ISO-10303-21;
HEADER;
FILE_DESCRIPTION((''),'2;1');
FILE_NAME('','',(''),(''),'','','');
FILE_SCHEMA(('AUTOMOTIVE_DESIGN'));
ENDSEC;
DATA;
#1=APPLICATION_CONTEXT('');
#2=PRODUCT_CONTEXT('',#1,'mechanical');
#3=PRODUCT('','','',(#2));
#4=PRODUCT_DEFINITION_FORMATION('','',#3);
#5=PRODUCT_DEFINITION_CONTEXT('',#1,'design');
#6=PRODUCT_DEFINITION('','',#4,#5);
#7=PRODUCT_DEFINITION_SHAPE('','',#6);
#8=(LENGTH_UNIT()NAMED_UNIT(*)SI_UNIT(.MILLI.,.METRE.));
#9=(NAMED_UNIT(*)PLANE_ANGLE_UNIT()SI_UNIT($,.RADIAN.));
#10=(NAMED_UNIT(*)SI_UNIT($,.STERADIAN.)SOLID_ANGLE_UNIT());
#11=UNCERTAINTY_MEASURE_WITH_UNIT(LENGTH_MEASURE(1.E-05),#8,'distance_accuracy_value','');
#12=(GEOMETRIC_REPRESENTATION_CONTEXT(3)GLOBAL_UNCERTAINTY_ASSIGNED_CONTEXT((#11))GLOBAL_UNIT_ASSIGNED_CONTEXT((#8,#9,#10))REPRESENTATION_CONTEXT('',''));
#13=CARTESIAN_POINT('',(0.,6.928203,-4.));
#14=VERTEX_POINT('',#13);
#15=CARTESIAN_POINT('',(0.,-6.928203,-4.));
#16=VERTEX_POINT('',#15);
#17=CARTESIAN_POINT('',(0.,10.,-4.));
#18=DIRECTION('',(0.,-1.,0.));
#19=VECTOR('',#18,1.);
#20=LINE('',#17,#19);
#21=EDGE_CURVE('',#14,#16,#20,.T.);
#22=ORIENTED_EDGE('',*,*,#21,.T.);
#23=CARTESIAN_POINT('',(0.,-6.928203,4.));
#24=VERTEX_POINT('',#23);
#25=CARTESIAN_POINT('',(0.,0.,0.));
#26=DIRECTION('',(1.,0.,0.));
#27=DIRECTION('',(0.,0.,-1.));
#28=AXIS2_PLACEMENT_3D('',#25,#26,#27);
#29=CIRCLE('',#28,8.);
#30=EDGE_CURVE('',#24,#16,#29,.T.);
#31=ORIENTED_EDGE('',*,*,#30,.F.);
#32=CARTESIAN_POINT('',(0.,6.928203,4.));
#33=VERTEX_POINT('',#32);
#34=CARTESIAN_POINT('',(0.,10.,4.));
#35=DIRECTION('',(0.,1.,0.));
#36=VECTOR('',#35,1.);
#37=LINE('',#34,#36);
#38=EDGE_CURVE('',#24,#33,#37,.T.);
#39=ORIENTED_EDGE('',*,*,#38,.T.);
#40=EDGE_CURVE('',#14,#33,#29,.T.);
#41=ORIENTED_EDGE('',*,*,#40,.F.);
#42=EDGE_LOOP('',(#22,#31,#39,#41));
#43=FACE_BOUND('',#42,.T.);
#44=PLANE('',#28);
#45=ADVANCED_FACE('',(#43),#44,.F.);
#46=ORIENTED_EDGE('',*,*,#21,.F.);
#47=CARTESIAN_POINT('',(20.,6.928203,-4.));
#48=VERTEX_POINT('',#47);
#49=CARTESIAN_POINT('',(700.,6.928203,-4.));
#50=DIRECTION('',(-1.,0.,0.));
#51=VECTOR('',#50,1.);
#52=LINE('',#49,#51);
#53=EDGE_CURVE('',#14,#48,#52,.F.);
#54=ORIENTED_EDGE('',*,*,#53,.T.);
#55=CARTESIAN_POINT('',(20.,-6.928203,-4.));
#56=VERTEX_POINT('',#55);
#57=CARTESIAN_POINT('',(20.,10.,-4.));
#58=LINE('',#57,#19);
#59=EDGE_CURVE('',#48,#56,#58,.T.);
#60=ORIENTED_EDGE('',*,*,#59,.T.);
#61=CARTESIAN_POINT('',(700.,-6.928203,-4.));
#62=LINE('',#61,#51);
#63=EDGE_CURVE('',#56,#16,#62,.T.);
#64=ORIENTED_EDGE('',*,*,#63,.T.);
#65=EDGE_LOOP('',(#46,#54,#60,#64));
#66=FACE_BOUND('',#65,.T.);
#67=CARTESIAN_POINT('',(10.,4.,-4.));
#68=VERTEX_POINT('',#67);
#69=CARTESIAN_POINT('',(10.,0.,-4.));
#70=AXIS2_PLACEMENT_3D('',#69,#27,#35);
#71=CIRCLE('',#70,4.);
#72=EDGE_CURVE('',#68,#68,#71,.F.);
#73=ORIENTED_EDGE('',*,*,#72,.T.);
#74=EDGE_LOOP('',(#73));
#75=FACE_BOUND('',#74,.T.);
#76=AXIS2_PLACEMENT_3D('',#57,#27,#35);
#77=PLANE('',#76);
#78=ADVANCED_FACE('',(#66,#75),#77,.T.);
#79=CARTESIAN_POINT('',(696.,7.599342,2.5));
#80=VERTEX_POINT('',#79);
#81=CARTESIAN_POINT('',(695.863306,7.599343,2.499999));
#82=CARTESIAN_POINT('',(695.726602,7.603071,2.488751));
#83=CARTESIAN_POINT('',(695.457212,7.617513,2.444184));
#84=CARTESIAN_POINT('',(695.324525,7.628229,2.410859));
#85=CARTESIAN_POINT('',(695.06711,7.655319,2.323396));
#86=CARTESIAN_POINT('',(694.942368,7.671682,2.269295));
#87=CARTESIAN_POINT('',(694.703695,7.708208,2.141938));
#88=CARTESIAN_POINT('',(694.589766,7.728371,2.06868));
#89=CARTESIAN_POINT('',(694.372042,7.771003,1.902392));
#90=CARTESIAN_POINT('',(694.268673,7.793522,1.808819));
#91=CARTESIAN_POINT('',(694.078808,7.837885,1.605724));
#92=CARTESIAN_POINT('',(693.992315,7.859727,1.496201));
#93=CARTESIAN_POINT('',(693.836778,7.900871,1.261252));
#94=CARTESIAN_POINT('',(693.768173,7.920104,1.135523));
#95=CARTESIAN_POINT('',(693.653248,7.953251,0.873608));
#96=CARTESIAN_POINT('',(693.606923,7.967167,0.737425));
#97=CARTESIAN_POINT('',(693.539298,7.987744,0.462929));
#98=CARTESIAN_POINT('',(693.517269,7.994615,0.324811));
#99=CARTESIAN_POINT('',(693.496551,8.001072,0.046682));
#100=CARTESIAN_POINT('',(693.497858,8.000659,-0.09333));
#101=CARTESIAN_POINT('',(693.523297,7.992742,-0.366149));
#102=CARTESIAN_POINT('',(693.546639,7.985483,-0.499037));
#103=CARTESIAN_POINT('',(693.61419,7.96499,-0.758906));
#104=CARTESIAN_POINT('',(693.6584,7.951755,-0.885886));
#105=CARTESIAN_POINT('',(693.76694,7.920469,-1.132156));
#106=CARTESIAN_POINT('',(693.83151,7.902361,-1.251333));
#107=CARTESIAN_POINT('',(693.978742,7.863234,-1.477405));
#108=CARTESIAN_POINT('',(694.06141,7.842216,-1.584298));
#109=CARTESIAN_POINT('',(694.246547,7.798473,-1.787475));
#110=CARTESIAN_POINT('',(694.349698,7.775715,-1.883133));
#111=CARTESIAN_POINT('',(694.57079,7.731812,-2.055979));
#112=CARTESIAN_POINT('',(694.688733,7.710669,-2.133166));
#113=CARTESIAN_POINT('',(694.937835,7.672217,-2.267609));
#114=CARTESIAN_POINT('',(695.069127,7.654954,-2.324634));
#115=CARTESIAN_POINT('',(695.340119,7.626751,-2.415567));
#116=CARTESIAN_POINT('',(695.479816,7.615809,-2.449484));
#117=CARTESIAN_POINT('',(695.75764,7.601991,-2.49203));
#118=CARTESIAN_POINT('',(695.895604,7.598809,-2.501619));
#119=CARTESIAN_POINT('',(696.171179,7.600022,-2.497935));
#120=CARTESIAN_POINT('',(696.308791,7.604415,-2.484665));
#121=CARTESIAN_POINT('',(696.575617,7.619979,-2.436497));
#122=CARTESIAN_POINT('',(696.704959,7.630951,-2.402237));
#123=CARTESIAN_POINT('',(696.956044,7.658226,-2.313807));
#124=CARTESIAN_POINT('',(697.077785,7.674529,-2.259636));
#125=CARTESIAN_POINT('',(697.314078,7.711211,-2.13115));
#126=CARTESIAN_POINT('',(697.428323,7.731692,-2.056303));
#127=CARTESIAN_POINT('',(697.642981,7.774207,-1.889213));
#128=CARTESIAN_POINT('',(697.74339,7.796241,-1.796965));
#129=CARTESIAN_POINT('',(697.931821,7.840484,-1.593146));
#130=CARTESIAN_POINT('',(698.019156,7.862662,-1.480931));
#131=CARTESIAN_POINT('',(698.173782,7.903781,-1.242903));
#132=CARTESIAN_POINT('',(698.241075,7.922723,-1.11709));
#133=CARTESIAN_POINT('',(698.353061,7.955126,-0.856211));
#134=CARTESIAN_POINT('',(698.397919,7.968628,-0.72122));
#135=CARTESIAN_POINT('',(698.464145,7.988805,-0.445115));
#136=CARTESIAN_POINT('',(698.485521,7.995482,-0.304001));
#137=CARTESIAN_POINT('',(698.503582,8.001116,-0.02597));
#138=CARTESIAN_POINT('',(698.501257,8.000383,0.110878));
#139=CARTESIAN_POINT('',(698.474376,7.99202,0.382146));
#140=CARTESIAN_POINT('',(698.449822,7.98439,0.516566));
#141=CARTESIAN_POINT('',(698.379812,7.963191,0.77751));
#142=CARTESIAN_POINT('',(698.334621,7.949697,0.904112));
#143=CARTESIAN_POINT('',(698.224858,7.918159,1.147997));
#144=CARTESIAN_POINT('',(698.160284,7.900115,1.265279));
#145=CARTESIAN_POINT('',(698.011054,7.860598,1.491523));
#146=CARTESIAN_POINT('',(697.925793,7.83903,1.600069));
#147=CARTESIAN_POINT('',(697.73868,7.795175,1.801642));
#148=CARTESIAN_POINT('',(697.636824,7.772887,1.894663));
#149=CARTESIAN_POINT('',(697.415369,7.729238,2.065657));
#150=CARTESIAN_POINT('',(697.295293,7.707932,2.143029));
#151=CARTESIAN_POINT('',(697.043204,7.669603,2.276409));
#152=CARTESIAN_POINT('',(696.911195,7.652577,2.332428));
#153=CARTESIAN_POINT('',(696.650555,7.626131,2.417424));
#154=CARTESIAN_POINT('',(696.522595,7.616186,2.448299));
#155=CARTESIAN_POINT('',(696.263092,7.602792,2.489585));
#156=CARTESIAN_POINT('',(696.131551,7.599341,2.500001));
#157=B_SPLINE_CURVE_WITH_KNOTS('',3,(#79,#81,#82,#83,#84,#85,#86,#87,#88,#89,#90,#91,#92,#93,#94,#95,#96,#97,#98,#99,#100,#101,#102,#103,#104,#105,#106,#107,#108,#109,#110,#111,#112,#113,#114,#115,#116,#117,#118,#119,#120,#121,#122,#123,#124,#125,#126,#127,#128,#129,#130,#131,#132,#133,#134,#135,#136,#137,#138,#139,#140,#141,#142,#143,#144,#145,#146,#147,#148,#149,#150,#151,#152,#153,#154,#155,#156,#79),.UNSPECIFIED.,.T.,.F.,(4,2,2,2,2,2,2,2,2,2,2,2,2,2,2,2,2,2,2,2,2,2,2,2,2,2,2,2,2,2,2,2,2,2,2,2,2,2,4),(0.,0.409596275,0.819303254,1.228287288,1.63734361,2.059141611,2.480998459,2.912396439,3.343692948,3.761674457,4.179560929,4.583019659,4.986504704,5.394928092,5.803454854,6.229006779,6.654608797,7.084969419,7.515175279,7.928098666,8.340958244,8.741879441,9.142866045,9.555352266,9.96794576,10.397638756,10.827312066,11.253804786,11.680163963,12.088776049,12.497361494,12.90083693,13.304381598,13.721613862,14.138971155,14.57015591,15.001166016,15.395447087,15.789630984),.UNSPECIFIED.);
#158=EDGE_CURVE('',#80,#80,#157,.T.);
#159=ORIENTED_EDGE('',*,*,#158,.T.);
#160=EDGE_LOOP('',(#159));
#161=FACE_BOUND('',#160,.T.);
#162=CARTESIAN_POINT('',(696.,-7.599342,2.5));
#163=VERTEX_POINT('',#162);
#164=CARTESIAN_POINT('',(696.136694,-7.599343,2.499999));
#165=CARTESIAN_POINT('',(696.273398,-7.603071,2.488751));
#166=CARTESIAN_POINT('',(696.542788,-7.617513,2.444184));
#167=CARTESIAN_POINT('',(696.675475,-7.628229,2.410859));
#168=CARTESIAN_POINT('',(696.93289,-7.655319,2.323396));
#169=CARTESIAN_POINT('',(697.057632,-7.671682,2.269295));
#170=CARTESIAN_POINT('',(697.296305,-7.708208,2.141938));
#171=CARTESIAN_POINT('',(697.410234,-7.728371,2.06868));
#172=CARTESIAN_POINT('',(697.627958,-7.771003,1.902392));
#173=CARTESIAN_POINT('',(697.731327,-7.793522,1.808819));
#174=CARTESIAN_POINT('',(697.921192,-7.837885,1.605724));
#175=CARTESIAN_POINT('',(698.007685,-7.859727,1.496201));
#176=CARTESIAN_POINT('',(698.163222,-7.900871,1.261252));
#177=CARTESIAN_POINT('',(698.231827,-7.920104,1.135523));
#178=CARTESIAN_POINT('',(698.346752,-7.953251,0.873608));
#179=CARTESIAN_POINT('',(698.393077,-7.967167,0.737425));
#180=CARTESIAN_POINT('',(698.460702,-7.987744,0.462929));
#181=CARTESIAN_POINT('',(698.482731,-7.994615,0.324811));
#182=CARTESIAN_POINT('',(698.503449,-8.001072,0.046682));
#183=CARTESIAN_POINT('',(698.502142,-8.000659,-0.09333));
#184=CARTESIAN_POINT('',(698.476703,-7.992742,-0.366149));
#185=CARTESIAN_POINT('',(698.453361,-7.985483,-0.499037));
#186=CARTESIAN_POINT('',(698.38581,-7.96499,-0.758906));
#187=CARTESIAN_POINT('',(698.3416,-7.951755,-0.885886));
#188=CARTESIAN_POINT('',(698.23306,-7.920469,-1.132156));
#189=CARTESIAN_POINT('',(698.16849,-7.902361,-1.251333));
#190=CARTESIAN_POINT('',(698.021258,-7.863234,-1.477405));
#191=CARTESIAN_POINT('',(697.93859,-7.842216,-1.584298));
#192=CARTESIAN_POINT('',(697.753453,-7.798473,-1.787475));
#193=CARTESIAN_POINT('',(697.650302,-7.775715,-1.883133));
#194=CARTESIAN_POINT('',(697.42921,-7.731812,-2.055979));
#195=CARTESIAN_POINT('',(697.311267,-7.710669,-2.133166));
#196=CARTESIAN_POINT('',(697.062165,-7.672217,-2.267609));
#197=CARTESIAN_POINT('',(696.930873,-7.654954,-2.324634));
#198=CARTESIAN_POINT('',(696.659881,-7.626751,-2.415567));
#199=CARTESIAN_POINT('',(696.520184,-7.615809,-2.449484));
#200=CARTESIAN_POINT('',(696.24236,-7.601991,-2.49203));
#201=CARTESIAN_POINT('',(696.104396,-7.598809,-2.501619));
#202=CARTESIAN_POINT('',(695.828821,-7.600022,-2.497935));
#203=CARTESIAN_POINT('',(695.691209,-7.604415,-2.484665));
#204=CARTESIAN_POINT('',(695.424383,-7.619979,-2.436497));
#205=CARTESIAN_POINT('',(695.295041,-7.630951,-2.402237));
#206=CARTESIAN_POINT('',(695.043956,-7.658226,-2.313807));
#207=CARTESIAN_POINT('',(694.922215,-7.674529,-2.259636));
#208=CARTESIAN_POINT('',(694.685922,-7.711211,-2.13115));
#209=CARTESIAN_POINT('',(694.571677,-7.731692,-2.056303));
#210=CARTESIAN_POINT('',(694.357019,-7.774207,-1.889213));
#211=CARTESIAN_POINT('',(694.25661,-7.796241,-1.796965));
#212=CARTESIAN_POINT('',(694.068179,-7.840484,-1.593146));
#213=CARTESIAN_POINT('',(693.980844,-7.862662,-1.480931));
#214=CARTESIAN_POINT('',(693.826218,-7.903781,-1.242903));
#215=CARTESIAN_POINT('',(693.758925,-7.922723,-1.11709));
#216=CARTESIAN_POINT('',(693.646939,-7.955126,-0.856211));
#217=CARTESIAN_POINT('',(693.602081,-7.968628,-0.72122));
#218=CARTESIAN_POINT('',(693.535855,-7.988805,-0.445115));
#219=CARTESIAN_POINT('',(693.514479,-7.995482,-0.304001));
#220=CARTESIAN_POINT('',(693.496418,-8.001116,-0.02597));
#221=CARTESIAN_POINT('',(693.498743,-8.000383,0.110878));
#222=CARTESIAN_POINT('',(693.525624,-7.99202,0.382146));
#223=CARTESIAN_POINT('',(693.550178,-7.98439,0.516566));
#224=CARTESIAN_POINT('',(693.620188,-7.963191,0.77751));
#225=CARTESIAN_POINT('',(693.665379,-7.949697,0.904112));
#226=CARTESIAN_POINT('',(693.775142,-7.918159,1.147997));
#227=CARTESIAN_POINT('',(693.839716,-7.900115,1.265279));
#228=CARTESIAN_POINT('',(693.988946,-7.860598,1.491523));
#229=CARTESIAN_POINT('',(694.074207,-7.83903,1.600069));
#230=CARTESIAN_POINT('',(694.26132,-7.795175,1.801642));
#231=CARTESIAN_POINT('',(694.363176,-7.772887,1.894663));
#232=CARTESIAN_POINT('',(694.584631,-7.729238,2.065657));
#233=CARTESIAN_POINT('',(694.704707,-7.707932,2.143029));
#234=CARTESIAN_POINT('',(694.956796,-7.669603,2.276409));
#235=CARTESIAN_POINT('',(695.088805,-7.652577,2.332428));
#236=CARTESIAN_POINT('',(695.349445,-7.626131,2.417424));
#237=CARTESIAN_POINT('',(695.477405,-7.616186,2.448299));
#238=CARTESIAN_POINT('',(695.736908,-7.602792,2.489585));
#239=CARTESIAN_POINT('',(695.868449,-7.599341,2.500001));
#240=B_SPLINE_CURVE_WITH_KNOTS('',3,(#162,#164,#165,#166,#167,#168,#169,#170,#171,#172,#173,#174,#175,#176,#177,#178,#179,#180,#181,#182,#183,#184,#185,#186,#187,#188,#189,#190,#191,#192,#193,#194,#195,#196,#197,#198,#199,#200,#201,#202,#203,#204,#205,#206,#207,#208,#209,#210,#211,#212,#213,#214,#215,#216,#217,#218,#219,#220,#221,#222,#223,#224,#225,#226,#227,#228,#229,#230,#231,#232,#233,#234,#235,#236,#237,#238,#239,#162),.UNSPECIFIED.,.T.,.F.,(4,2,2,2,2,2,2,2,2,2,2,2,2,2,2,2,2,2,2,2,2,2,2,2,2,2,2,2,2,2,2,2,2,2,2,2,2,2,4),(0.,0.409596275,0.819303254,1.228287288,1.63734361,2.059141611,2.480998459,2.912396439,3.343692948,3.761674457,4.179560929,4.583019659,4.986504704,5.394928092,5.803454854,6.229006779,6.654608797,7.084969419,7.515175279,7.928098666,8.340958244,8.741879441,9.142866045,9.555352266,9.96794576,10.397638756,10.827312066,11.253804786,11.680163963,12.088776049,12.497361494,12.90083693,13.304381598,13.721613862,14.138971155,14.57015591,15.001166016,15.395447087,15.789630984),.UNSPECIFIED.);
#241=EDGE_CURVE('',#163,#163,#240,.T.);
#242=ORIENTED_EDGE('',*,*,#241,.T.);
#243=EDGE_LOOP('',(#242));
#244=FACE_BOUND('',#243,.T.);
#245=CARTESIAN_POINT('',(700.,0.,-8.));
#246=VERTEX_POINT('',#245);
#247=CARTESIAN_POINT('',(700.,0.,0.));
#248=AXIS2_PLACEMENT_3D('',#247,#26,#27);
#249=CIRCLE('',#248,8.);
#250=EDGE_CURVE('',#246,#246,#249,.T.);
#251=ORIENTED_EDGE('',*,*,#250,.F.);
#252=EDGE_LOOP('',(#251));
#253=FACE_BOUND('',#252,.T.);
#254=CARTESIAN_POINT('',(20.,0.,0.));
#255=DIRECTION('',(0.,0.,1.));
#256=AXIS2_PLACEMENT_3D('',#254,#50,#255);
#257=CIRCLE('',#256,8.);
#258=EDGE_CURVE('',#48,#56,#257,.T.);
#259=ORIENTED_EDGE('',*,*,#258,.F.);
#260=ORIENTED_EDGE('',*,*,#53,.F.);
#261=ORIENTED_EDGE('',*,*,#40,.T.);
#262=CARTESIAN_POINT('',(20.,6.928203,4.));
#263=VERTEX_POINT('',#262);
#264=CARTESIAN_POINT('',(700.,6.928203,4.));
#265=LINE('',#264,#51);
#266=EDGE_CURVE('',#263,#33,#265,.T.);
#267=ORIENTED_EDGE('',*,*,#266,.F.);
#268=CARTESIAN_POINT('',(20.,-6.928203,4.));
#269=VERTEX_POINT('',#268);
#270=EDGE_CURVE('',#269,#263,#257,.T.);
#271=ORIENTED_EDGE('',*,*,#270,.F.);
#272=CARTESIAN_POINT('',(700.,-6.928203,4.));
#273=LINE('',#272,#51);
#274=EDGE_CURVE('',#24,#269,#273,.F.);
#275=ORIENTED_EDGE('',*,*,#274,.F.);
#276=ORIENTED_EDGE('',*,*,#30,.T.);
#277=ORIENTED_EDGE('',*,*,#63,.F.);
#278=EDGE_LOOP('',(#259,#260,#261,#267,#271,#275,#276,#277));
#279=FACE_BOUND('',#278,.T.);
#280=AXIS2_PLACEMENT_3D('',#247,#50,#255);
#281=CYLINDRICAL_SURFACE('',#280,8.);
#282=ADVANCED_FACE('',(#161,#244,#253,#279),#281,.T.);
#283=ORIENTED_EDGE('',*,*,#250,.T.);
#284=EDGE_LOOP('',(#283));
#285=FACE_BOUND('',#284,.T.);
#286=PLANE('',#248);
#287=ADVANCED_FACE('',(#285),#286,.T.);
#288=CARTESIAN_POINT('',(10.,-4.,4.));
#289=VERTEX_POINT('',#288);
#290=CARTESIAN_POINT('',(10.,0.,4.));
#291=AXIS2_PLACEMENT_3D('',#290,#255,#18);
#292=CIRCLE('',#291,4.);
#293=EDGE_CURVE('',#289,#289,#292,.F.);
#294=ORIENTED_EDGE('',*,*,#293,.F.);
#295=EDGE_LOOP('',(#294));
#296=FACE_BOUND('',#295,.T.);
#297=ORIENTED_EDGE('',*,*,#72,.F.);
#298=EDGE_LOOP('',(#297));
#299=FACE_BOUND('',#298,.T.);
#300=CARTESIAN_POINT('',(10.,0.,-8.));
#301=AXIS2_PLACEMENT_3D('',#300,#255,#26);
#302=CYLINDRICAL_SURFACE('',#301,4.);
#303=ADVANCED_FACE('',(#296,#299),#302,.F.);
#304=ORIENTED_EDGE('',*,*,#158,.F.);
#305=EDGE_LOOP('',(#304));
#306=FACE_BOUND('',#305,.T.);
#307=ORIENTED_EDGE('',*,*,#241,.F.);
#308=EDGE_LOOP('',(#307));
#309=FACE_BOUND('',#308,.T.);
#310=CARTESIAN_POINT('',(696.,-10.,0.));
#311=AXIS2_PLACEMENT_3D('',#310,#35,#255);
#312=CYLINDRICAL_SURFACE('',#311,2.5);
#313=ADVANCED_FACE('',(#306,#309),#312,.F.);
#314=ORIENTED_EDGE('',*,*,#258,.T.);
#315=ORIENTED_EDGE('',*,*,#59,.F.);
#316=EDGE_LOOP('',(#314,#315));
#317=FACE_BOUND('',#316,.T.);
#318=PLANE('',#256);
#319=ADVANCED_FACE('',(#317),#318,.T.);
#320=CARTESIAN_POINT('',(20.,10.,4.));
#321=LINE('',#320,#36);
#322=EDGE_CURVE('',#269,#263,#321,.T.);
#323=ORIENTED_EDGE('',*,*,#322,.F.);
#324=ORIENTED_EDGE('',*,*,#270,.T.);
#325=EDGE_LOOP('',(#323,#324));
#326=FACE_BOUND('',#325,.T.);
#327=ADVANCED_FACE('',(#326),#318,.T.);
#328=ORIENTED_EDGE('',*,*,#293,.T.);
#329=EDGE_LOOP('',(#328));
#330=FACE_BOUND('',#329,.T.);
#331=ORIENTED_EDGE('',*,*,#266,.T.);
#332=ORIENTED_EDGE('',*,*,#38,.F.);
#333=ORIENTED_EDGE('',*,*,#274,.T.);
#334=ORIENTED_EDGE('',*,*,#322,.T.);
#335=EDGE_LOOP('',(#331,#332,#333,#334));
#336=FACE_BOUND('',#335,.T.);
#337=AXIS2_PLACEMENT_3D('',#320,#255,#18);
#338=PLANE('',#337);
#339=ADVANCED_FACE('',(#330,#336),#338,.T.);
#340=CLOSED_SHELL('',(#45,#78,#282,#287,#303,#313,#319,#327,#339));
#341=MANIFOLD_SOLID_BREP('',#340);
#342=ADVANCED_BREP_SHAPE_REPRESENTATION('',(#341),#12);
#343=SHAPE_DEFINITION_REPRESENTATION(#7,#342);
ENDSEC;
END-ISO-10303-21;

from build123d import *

# Parameters (mm, degrees)
SKETCH_1_R               = 8
EXTRUDE_1_DEPTH          = 700
SKETCH_2_R               = 4
CUT_EXTRUDE_1_DEPTH      = 9
CUT_EXTRUDE_1_DEPTH_BACK = 9
SKETCH_3_OUTSIDE_W       = 158.074
SKETCH_3_OUTSIDE_H       = 158.074
SKETCH_3_OUTSIDE_W_2     = 8
SKETCH_3_OUTSIDE_H_2     = 20
CUT_EXTRUDE_2_DEPTH      = 20
SKETCH_4_R               = 2.5
CUT_EXTRUDE_3_DEPTH      = 10


with BuildPart() as part:
    # 草图1 → 凸台-拉伸1 (new body)
    with BuildSketch(Plane(origin=(0, 0, 0), x_dir=(0, 0, -1), z_dir=(1, 0, 0))):
        Circle(SKETCH_1_R)
    extrude(amount=EXTRUDE_1_DEPTH)

    # 草图2 → 切除-拉伸1 (cut, two sides)
    with BuildSketch(Plane.XY) as cut_extrude_1_sk:
        with Locations((10, 0)):
            Circle(SKETCH_2_R)
    extrude(amount=CUT_EXTRUDE_1_DEPTH, mode=Mode.SUBTRACT)
    extrude(cut_extrude_1_sk.sketch, amount=-CUT_EXTRUDE_1_DEPTH_BACK, mode=Mode.SUBTRACT)

    # 草图3 outside → 切除-拉伸2 (cut)
    with BuildSketch(Plane.ZY):
        Rectangle(SKETCH_3_OUTSIDE_W, SKETCH_3_OUTSIDE_H)
        Rectangle(SKETCH_3_OUTSIDE_W_2, SKETCH_3_OUTSIDE_H_2, mode=Mode.SUBTRACT)
    extrude(amount=-CUT_EXTRUDE_2_DEPTH, mode=Mode.SUBTRACT)

    # 草图4 → 切除-拉伸3 (cut, symmetric)
    with BuildSketch(Plane(origin=(0, 0, 0), x_dir=(1, 0, 0), z_dir=(0, 1, 0))):
        with Locations((696, 0)):
            Circle(SKETCH_4_R)
    extrude(amount=CUT_EXTRUDE_3_DEPTH, both=True, mode=Mode.SUBTRACT)


solid = part.part
